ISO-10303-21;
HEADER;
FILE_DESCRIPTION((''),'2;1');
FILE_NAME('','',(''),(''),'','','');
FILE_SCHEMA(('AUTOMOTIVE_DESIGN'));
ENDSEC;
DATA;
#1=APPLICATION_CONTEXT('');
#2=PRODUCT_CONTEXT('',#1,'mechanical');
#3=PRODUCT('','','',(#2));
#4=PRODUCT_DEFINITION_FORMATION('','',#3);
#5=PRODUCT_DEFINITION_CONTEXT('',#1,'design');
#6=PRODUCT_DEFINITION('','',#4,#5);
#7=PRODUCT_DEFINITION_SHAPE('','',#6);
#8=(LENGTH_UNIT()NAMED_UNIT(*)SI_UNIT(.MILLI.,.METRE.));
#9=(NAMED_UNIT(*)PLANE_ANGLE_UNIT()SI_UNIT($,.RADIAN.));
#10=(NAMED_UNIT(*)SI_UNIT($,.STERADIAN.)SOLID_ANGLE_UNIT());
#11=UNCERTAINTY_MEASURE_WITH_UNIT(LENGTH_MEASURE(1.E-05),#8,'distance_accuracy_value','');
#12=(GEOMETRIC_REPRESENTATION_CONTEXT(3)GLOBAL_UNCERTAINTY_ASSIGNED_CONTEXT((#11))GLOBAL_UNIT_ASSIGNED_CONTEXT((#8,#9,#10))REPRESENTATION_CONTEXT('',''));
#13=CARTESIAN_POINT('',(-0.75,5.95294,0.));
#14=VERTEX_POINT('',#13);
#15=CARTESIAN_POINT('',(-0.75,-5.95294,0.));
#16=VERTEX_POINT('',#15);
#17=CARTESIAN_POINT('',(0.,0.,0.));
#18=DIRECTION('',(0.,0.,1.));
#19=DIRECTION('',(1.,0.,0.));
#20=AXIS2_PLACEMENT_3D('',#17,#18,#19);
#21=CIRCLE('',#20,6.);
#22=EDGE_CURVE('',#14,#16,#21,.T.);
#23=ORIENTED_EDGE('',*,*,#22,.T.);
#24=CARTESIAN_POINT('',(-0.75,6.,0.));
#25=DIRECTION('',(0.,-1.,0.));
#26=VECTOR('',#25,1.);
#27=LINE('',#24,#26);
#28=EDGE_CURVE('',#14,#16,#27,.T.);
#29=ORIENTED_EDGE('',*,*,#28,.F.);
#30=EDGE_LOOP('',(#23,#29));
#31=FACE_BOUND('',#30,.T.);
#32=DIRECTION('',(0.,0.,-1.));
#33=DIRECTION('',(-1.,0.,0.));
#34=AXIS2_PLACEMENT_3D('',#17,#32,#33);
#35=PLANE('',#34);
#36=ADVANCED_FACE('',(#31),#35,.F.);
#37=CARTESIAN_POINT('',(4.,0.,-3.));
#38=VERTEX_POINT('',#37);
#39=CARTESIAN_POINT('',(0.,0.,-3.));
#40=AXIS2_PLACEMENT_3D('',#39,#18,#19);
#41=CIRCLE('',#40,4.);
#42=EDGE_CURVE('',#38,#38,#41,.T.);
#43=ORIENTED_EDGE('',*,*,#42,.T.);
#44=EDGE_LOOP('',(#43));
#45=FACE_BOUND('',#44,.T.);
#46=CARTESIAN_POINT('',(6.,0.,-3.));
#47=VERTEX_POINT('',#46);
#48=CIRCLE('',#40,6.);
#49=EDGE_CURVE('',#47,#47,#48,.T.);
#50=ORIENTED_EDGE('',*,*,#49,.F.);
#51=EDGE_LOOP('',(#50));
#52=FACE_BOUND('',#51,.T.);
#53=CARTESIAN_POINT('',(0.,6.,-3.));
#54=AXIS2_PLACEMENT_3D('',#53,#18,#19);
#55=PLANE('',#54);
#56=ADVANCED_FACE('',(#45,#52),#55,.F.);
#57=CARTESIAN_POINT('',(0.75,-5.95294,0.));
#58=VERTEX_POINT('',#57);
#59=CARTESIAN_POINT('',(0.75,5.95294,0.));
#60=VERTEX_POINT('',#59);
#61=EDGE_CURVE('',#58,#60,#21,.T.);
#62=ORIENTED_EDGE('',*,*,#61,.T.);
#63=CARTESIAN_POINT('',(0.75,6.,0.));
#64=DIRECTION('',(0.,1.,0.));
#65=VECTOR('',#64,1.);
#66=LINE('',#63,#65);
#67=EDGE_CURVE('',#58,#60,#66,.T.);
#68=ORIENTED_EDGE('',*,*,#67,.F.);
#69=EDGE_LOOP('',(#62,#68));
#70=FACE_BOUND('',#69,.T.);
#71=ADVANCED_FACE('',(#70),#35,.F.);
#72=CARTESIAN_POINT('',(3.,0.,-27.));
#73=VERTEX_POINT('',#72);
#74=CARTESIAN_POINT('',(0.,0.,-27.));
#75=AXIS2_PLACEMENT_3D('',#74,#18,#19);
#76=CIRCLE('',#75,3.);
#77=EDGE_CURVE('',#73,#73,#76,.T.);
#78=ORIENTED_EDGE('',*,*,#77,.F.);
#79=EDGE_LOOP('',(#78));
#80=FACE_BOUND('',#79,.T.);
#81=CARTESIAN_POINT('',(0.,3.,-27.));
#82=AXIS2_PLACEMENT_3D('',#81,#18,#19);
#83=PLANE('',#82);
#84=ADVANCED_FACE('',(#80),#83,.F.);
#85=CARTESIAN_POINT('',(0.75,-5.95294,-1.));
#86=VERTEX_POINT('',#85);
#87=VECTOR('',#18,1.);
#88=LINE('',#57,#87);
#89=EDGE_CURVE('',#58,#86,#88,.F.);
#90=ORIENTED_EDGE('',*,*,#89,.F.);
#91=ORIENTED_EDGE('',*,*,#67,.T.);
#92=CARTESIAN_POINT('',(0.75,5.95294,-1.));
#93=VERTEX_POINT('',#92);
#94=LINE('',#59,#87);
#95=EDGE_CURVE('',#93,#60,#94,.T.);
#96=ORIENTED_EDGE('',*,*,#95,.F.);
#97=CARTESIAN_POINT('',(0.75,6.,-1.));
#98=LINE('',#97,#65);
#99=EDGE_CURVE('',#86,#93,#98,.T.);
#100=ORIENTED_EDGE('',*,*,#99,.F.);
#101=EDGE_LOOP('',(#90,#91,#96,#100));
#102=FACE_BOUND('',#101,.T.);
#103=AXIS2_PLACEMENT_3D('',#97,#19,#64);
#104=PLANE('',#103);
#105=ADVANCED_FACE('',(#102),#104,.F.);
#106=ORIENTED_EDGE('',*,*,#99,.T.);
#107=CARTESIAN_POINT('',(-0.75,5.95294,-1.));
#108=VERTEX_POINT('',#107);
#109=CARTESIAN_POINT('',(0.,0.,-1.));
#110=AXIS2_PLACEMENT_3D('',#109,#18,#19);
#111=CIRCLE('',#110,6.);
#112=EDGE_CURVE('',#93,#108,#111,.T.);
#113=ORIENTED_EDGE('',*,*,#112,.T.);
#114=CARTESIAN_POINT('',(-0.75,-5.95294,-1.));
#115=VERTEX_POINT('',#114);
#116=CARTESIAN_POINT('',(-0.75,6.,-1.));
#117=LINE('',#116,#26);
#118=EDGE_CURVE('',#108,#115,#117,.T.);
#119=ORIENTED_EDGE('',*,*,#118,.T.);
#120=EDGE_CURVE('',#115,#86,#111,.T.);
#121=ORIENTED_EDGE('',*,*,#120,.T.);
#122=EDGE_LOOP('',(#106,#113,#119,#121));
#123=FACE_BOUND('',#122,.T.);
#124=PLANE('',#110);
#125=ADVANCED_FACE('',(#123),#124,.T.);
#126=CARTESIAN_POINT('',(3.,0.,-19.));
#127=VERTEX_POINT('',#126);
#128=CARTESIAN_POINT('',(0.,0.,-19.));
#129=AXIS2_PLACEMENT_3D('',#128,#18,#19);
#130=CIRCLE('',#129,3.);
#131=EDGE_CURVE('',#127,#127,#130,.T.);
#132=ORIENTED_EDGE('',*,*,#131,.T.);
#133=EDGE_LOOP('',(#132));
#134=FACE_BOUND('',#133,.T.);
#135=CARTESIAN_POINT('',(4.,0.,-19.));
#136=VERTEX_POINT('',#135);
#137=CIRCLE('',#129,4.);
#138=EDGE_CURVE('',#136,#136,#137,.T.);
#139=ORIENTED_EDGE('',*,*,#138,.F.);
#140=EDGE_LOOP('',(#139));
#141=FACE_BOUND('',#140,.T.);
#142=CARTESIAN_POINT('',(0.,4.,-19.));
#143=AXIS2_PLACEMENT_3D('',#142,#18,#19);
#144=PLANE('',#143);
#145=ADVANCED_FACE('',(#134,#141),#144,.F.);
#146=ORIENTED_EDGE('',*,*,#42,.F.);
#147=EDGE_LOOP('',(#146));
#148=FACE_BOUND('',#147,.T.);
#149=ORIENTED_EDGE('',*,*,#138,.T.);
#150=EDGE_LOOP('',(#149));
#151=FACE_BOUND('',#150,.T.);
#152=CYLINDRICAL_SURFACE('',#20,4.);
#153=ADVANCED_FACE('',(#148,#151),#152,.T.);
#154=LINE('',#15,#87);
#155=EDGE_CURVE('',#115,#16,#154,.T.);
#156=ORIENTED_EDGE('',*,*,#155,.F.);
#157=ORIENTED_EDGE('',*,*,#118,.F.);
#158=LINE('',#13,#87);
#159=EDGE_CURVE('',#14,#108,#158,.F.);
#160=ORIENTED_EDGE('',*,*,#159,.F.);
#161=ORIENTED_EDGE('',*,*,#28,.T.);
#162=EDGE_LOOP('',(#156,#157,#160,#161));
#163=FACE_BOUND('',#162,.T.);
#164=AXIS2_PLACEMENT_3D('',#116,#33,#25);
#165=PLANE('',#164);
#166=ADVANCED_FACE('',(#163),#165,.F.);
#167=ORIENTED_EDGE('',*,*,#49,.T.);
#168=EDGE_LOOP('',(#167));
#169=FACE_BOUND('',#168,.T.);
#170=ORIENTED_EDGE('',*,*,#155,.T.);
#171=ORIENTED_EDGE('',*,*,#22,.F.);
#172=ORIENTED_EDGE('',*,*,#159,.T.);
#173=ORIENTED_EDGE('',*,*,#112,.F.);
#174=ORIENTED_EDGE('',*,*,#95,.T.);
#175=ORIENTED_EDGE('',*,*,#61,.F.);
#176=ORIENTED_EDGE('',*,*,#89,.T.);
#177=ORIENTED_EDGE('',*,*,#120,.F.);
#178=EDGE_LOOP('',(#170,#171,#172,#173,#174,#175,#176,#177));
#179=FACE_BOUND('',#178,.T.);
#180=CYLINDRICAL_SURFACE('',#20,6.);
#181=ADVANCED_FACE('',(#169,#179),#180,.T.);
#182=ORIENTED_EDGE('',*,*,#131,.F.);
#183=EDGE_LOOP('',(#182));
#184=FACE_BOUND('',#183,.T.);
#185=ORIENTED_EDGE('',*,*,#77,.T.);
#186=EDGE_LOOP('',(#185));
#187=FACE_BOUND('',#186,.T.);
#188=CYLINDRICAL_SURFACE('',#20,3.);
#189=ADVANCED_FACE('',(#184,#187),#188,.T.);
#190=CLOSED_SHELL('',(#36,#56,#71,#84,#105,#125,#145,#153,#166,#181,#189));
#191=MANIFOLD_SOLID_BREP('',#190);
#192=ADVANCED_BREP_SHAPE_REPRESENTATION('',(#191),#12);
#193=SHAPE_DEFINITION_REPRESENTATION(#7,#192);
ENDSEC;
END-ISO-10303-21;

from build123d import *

# Parameters (mm, degrees)
SKETCH_3_W          = 1.5
SKETCH_3_H          = 12
CUT_EXTRUDE_1_DEPTH = 1


with BuildPart() as part:
    # 草图2 → 旋转1 (revolve)
    with BuildSketch(Plane(origin=(0, 0, 0), x_dir=(0, 0, -1), z_dir=(1, 0, 0))):
        Polygon((0, 0), (0, 6), (3, 6), (3, 4), (19, 4), (19, 3), (27, 3), (27, 0), align=None)
    revolve(axis=Axis((0, 0, 0), (0, 0, -1)))

    # 草图3 → 切除-拉伸1 (cut)
    with BuildSketch(Plane.XY):
        Rectangle(SKETCH_3_W, SKETCH_3_H)
    extrude(amount=-CUT_EXTRUDE_1_DEPTH, mode=Mode.SUBTRACT)


solid = part.part
